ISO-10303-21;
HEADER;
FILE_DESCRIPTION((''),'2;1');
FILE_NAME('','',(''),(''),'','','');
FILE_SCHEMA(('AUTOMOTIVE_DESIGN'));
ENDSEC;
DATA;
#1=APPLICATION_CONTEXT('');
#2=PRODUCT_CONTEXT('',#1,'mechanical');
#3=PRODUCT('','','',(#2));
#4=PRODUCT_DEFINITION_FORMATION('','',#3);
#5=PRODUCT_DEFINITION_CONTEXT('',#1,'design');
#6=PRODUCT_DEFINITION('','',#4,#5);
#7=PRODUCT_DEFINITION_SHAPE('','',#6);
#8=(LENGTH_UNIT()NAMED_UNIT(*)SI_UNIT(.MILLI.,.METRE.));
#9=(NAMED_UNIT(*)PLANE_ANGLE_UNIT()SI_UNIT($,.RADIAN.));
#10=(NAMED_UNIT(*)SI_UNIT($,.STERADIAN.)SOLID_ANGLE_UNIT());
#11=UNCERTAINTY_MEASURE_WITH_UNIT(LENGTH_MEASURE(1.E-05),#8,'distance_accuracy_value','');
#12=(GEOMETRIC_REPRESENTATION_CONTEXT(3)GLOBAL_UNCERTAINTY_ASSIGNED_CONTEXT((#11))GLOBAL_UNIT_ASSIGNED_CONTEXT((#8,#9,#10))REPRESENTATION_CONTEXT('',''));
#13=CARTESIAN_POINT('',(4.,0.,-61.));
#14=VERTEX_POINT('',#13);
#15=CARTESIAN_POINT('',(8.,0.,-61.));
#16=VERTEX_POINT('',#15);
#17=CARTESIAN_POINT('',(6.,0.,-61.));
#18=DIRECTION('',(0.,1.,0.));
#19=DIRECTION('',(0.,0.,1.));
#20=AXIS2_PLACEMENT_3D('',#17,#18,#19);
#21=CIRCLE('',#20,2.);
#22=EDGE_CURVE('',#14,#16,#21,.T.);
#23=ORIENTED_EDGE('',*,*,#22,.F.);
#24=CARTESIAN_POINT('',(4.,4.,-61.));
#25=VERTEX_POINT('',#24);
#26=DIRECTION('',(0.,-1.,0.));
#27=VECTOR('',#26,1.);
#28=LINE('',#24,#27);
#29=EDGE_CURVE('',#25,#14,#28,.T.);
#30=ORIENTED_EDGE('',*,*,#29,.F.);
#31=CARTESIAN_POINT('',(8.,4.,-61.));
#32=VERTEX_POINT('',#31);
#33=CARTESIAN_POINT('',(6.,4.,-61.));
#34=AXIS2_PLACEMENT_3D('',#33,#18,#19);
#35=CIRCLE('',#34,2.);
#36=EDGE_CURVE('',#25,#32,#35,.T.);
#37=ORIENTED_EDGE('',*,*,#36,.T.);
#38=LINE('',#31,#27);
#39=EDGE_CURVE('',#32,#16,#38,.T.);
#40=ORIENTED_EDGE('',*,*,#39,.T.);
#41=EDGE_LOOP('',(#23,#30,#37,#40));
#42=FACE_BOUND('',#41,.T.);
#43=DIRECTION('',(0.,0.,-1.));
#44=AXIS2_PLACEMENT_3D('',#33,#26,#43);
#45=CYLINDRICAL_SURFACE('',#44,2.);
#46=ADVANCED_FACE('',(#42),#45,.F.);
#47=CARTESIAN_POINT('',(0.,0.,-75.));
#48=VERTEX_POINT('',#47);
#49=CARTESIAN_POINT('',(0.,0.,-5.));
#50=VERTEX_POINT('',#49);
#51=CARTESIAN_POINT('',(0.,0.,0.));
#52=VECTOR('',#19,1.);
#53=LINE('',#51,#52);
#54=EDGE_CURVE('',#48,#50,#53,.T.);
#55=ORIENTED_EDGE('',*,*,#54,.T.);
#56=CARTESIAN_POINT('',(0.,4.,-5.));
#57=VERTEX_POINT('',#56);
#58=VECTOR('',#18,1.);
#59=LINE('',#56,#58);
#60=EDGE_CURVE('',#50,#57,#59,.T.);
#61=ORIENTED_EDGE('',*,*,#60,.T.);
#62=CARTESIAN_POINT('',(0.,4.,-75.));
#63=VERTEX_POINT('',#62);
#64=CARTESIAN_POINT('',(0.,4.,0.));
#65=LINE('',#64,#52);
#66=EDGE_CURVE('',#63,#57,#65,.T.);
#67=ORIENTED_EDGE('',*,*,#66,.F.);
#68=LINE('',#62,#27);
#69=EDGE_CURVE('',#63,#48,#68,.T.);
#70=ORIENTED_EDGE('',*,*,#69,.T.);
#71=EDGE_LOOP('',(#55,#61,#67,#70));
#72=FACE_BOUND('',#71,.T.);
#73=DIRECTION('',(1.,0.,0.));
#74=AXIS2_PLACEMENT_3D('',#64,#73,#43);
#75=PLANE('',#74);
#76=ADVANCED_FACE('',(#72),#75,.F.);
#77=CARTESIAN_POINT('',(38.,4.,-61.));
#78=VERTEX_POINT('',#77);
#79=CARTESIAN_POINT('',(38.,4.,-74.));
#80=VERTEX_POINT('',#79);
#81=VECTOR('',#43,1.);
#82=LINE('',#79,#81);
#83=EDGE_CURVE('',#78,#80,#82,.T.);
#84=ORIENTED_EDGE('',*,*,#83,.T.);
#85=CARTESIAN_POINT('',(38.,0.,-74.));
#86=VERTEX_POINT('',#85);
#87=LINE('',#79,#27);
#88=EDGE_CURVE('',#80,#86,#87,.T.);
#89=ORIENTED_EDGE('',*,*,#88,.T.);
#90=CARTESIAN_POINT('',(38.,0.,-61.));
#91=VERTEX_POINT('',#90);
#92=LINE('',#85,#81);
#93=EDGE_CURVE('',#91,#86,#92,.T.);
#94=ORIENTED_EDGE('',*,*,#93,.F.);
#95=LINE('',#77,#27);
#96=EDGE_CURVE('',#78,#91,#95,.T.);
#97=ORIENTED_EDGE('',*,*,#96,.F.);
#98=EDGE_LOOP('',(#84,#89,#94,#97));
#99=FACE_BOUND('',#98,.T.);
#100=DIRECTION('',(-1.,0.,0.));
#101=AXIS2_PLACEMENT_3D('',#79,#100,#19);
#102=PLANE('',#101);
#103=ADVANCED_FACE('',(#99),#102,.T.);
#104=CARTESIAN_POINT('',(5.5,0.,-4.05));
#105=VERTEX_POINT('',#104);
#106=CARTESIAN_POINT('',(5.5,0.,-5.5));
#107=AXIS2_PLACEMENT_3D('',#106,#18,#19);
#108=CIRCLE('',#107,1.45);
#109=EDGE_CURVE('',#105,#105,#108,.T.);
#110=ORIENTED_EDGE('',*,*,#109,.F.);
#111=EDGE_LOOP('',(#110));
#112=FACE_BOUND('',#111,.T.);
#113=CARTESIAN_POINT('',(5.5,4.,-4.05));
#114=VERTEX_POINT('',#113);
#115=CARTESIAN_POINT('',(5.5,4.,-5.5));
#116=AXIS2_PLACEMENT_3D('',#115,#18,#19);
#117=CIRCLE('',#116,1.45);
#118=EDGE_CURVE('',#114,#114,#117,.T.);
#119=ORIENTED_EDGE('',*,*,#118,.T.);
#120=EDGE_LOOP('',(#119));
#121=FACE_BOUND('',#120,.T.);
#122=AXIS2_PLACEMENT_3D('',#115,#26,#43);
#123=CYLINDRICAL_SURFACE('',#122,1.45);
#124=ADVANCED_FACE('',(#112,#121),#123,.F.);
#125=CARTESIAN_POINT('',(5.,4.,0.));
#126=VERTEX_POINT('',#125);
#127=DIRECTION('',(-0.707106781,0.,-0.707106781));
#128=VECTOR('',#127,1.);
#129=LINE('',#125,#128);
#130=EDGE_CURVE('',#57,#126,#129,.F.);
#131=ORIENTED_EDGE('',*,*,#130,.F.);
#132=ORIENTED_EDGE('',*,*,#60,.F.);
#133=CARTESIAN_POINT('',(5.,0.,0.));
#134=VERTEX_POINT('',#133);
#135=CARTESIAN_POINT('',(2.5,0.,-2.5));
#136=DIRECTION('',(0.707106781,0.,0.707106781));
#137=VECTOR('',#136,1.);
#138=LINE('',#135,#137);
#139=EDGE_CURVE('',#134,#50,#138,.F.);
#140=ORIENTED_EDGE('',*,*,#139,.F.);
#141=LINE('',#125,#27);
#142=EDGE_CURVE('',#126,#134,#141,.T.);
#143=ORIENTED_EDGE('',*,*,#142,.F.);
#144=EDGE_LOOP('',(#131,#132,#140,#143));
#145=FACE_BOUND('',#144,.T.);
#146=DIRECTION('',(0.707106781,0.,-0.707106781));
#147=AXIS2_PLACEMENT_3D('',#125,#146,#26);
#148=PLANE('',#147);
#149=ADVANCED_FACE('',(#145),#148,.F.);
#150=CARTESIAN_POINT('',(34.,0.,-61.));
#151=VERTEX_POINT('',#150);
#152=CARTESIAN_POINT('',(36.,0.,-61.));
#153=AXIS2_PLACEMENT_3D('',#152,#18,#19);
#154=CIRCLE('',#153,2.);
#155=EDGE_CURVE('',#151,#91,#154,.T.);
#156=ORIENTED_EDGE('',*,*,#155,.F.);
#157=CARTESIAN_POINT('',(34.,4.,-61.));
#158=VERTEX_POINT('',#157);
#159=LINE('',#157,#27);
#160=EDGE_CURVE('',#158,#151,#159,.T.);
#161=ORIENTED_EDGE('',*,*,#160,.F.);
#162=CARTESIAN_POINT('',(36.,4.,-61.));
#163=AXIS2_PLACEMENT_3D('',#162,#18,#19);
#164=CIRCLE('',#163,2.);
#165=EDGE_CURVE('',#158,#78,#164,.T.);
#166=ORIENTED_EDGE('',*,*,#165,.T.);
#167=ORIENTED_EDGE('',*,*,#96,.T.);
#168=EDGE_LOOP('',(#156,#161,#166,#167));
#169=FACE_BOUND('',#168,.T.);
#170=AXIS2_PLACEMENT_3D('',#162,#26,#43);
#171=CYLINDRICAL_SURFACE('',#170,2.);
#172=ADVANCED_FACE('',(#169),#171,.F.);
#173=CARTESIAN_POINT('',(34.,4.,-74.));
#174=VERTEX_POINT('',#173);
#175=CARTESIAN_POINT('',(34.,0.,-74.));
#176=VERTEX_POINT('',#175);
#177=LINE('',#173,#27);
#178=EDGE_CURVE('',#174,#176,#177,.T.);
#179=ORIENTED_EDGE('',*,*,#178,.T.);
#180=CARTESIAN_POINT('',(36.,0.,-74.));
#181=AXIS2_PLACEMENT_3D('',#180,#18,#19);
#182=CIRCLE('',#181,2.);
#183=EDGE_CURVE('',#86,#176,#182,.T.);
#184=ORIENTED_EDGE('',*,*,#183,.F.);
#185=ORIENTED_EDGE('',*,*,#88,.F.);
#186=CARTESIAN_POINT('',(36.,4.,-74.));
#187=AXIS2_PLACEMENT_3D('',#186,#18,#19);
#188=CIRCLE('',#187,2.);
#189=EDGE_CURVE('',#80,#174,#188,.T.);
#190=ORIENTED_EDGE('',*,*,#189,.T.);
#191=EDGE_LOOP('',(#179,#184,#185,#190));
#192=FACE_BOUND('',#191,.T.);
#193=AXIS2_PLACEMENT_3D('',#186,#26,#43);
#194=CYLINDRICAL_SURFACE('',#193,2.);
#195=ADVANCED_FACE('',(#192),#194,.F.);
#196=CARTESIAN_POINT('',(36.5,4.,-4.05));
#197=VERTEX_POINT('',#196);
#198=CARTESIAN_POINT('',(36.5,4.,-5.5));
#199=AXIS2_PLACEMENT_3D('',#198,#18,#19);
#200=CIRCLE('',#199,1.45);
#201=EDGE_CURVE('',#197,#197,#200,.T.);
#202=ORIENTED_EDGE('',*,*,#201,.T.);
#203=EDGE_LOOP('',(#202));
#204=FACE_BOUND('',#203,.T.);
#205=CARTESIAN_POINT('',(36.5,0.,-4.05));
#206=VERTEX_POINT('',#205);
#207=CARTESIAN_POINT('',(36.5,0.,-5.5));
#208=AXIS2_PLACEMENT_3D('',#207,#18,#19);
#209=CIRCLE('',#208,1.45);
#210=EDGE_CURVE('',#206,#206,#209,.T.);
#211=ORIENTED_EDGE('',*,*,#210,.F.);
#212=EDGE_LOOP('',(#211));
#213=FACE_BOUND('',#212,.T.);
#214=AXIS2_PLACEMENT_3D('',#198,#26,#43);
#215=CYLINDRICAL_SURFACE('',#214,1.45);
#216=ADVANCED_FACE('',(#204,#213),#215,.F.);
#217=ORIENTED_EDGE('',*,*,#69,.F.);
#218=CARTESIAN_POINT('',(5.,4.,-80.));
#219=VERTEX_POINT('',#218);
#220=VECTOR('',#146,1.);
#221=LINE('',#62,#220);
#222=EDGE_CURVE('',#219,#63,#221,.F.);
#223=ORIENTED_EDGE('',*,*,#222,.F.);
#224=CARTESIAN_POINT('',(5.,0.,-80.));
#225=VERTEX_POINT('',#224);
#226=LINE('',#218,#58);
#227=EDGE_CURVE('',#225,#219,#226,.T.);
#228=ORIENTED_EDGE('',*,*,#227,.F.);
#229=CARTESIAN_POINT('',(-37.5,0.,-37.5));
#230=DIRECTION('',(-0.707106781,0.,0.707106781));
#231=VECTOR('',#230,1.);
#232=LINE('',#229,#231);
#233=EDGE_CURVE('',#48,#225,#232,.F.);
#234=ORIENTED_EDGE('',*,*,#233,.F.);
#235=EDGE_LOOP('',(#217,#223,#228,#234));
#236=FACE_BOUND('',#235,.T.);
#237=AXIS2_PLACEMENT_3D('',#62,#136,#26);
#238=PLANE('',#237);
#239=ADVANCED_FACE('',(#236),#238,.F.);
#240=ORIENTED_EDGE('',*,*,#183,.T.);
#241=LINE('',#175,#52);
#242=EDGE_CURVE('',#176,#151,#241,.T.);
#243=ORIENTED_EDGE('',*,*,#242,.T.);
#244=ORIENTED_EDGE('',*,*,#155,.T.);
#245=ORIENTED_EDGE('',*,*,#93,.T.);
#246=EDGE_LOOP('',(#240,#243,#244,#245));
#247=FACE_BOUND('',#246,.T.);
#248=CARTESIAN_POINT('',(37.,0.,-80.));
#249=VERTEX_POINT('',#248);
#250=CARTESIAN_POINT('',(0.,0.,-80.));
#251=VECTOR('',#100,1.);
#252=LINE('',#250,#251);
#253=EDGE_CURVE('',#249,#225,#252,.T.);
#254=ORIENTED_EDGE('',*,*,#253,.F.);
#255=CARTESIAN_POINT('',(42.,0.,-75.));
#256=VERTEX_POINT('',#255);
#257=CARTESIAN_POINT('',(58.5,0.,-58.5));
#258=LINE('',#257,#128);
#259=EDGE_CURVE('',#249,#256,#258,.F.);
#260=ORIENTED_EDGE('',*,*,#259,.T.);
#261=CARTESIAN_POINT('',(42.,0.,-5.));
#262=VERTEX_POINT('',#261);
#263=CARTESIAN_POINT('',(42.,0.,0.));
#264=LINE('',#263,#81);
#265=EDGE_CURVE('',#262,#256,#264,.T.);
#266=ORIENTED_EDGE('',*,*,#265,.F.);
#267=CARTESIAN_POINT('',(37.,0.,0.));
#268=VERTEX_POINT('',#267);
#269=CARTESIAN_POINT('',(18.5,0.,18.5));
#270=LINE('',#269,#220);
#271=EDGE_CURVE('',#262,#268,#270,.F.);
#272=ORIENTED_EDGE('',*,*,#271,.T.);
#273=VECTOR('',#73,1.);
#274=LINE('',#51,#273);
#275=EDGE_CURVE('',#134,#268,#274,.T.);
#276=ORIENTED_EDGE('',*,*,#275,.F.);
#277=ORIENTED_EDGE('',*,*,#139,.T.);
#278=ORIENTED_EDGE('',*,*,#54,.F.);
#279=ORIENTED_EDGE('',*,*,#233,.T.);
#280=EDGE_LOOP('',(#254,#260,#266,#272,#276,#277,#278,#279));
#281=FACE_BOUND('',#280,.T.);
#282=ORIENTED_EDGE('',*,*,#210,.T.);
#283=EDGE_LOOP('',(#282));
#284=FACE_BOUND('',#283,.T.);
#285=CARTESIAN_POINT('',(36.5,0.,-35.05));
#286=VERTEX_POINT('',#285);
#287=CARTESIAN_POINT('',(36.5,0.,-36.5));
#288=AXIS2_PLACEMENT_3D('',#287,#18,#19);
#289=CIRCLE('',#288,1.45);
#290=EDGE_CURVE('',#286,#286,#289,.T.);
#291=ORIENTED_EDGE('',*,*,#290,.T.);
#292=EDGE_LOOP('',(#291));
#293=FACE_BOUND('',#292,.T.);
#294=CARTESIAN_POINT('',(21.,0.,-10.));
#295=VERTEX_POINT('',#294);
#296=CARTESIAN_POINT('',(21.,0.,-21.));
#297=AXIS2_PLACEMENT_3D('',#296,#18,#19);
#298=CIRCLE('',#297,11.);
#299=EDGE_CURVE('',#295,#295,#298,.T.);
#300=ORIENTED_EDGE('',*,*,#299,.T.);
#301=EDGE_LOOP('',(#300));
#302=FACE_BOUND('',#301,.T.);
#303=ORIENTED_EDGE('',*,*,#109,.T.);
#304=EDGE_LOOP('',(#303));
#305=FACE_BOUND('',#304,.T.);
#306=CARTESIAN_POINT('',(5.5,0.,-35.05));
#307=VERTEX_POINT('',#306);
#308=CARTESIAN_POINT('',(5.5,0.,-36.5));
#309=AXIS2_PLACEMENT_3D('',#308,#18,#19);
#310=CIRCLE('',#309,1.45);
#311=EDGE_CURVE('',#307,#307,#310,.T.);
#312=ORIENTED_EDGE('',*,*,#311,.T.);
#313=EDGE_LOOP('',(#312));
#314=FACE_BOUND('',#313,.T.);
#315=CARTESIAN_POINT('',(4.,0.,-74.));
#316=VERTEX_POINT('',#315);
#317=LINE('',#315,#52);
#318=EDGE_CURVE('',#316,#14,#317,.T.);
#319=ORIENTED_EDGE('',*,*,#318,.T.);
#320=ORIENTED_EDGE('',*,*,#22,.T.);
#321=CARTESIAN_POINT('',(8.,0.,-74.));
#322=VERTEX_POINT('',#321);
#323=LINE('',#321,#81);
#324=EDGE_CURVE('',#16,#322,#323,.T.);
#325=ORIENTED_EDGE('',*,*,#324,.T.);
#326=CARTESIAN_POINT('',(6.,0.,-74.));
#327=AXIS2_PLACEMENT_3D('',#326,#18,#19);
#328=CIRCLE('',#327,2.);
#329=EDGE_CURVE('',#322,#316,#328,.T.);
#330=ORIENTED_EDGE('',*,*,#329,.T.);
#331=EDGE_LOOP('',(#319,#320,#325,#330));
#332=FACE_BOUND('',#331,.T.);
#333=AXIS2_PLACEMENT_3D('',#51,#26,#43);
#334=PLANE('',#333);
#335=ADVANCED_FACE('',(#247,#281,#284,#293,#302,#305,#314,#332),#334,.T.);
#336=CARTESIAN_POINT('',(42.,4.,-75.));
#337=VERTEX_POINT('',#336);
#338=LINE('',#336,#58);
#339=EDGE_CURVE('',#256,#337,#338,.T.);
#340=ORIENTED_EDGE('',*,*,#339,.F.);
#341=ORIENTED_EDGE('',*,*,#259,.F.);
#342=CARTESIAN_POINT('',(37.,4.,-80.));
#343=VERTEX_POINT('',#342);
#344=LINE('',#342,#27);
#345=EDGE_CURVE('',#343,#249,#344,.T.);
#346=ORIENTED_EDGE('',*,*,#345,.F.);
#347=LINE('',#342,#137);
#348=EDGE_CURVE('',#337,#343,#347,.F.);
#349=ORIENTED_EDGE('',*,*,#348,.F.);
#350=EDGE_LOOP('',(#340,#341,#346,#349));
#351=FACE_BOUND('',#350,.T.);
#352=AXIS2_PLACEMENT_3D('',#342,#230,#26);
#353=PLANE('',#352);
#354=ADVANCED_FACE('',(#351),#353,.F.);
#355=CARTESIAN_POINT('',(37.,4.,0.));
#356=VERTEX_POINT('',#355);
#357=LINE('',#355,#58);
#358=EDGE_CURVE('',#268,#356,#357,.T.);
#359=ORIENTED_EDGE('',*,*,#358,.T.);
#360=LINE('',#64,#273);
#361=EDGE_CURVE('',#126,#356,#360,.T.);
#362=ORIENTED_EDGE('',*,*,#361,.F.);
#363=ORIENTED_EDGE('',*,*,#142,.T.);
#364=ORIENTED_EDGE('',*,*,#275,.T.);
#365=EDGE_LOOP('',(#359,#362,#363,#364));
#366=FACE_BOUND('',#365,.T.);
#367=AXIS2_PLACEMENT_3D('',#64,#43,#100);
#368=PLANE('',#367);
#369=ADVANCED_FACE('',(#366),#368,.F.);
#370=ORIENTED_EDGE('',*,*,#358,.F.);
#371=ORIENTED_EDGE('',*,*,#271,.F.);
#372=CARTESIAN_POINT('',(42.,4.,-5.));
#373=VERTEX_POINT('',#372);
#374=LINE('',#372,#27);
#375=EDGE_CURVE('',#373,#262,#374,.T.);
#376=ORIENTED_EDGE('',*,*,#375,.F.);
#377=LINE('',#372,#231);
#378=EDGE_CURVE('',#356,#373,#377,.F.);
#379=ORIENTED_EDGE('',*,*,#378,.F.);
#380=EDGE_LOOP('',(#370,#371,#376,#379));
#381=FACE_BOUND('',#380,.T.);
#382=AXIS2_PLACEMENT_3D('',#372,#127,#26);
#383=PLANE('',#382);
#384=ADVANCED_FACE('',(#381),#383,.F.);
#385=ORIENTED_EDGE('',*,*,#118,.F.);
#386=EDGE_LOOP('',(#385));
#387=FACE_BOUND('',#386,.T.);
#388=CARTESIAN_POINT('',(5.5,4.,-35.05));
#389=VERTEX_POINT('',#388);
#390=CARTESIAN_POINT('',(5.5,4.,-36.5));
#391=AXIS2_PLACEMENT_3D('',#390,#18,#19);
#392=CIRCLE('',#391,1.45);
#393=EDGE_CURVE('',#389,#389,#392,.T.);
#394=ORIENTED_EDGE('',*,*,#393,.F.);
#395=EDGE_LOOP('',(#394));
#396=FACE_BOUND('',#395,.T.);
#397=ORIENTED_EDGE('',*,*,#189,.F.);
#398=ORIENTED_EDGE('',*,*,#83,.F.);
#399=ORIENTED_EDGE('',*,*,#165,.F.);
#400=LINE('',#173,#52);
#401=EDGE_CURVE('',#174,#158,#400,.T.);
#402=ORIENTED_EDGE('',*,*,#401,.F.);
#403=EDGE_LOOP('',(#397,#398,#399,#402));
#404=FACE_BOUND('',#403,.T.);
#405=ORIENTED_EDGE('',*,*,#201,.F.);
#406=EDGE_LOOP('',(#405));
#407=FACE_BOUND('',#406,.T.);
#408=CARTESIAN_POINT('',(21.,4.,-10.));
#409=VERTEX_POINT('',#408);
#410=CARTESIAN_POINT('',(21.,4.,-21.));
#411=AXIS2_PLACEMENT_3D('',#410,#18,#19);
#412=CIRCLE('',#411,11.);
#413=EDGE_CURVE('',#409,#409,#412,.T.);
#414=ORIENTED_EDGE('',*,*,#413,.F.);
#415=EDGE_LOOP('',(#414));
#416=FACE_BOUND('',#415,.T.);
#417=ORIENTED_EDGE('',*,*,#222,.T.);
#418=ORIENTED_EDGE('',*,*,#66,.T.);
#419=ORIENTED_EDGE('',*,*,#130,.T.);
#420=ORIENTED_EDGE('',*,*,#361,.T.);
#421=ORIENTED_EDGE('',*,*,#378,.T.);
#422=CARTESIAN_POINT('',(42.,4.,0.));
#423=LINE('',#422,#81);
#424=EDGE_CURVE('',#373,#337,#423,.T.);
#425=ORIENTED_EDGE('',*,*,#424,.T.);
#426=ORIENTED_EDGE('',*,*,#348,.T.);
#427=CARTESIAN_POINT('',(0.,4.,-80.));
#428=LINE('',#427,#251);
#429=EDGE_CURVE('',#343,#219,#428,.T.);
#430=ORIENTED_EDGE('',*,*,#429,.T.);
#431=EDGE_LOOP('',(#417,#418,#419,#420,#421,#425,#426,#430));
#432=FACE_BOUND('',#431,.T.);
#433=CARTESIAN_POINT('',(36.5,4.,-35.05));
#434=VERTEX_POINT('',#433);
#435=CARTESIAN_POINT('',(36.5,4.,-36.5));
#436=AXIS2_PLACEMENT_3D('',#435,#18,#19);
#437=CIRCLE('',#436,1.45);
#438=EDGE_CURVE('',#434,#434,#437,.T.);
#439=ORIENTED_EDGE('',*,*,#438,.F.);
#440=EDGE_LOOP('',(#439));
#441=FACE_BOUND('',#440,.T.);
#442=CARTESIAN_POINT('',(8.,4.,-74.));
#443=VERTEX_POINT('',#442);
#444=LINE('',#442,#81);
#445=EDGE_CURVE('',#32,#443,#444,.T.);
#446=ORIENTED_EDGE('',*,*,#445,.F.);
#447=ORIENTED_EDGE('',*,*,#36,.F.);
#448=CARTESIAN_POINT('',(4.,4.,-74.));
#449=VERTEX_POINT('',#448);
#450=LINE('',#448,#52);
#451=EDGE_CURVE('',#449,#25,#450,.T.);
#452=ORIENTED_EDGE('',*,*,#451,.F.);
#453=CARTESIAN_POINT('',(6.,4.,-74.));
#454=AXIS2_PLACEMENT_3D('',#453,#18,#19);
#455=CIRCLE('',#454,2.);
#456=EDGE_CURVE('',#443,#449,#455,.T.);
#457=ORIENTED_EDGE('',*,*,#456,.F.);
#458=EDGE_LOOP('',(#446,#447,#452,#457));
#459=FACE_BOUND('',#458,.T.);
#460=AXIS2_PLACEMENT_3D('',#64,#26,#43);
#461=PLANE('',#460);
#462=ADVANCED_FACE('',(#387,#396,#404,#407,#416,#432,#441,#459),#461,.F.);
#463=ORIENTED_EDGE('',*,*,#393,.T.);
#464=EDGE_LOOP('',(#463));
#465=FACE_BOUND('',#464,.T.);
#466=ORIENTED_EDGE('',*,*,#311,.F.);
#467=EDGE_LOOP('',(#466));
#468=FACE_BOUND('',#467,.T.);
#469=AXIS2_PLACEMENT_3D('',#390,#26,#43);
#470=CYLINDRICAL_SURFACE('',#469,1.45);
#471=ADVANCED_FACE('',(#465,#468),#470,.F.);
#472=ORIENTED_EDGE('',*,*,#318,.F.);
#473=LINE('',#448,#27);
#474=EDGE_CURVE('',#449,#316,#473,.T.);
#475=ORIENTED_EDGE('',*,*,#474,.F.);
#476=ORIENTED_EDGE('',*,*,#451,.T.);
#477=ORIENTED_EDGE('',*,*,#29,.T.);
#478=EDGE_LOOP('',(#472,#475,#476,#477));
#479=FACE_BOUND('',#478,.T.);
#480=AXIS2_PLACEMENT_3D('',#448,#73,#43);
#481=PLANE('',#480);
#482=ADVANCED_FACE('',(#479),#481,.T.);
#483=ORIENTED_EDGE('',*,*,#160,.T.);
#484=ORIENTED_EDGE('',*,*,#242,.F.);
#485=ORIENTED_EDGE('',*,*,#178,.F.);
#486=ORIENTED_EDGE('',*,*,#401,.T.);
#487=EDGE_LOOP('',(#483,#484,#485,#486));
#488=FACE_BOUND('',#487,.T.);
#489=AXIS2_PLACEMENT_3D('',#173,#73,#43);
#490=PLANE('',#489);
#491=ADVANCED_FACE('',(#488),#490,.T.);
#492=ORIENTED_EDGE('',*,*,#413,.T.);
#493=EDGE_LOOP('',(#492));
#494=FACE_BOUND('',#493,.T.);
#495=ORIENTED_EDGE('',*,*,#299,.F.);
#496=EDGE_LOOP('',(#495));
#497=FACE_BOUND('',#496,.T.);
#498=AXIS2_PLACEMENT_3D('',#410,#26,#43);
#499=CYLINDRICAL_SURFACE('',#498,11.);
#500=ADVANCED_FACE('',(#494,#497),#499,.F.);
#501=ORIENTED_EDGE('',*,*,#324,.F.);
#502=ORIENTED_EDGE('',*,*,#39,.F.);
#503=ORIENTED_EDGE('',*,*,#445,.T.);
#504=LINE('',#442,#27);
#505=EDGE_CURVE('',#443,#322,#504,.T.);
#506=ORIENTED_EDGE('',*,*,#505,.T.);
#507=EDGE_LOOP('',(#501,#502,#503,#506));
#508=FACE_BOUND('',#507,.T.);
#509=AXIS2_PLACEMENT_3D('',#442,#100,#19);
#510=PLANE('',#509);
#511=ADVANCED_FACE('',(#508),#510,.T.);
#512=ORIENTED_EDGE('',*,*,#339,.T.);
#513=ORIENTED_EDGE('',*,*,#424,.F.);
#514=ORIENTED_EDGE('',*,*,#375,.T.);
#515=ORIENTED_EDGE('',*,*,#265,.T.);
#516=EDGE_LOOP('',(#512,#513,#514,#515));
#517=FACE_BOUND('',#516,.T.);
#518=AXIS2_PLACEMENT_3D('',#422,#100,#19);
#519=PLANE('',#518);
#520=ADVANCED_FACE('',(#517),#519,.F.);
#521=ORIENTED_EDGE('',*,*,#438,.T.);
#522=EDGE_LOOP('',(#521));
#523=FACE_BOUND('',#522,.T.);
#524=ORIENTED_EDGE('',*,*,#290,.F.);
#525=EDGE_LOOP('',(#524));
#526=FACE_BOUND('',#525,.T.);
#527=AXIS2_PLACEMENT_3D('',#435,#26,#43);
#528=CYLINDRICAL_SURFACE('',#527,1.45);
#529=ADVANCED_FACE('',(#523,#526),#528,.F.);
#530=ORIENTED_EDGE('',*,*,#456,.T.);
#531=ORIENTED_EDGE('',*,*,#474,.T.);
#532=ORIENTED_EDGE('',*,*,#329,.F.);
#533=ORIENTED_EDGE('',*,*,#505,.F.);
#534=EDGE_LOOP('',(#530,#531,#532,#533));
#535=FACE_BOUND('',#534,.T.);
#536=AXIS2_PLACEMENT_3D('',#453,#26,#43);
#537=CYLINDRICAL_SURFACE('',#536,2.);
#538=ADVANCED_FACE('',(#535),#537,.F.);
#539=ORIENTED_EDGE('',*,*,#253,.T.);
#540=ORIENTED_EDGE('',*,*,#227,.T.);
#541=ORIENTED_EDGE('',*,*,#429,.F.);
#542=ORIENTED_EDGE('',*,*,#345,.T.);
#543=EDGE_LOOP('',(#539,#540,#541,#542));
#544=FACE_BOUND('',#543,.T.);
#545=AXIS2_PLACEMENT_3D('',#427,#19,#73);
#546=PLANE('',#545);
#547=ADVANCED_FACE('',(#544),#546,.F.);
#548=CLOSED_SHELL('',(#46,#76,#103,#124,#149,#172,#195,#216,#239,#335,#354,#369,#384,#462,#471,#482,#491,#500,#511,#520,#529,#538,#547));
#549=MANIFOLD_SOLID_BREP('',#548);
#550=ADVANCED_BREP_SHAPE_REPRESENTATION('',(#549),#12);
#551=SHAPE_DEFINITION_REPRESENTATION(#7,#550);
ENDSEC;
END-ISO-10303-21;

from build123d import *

# Parameters (mm, degrees)
SKETCH_1_W      = 42
SKETCH_1_H      = 80
SKETCH_1_R      = 11
SKETCH_1_R_2    = 1.45
EXTRUDE_1_DEPTH = 4
CHAMFER_1_SIZE  = 5


with BuildPart() as part:
    # 草图1 → 凸台-拉伸1 (new body)
    with BuildSketch(Plane(origin=(0, 0, 0), x_dir=(1, 0, 0), z_dir=(0, 1, 0))):
        with Locations((21, 40)):
            Rectangle(SKETCH_1_W, SKETCH_1_H)
        with Locations(Location((21, 21, 0), (0, 0, 270))):
            Circle(SKETCH_1_R, mode=Mode.SUBTRACT)
        with Locations(Location((5.5, 36.5, 0), (0, 0, 270))):
            Circle(SKETCH_1_R_2, mode=Mode.SUBTRACT)
        with Locations(Location((5.5, 5.5, 0), (0, 0, 270))):
            Circle(SKETCH_1_R_2, mode=Mode.SUBTRACT)
        with Locations(Location((36.5, 36.5, 0), (0, 0, 270))):
            Circle(SKETCH_1_R_2, mode=Mode.SUBTRACT)
        with Locations(Location((36.5, 5.5, 0), (0, 0, 270))):
            Circle(SKETCH_1_R_2, mode=Mode.SUBTRACT)
        with BuildLine():
            Line((8, 74), (8, 61))
            ThreePointArc((8, 61), (6, 59), (4, 61))
            Line((4, 61), (4, 74))
            ThreePointArc((4, 74), (6, 76), (8, 74))
        make_face(mode=Mode.SUBTRACT)
        with BuildLine():
            Line((38, 74), (38, 61))
            ThreePointArc((38, 61), (36, 59), (34, 61))
            Line((34, 61), (34, 74))
            ThreePointArc((34, 74), (36, 76), (38, 74))
        make_face(mode=Mode.SUBTRACT)
    extrude(amount=EXTRUDE_1_DEPTH)

    # 倒角1
    chamfer_1_edges = [part.edges().sort_by_distance(p)[0] for p in [
        (0, 2, -80),
        (42, 2, -80),
        (42, 2, 0),
        (0, 2, 0),
    ]]
    chamfer(chamfer_1_edges, length=CHAMFER_1_SIZE)


solid = part.part
